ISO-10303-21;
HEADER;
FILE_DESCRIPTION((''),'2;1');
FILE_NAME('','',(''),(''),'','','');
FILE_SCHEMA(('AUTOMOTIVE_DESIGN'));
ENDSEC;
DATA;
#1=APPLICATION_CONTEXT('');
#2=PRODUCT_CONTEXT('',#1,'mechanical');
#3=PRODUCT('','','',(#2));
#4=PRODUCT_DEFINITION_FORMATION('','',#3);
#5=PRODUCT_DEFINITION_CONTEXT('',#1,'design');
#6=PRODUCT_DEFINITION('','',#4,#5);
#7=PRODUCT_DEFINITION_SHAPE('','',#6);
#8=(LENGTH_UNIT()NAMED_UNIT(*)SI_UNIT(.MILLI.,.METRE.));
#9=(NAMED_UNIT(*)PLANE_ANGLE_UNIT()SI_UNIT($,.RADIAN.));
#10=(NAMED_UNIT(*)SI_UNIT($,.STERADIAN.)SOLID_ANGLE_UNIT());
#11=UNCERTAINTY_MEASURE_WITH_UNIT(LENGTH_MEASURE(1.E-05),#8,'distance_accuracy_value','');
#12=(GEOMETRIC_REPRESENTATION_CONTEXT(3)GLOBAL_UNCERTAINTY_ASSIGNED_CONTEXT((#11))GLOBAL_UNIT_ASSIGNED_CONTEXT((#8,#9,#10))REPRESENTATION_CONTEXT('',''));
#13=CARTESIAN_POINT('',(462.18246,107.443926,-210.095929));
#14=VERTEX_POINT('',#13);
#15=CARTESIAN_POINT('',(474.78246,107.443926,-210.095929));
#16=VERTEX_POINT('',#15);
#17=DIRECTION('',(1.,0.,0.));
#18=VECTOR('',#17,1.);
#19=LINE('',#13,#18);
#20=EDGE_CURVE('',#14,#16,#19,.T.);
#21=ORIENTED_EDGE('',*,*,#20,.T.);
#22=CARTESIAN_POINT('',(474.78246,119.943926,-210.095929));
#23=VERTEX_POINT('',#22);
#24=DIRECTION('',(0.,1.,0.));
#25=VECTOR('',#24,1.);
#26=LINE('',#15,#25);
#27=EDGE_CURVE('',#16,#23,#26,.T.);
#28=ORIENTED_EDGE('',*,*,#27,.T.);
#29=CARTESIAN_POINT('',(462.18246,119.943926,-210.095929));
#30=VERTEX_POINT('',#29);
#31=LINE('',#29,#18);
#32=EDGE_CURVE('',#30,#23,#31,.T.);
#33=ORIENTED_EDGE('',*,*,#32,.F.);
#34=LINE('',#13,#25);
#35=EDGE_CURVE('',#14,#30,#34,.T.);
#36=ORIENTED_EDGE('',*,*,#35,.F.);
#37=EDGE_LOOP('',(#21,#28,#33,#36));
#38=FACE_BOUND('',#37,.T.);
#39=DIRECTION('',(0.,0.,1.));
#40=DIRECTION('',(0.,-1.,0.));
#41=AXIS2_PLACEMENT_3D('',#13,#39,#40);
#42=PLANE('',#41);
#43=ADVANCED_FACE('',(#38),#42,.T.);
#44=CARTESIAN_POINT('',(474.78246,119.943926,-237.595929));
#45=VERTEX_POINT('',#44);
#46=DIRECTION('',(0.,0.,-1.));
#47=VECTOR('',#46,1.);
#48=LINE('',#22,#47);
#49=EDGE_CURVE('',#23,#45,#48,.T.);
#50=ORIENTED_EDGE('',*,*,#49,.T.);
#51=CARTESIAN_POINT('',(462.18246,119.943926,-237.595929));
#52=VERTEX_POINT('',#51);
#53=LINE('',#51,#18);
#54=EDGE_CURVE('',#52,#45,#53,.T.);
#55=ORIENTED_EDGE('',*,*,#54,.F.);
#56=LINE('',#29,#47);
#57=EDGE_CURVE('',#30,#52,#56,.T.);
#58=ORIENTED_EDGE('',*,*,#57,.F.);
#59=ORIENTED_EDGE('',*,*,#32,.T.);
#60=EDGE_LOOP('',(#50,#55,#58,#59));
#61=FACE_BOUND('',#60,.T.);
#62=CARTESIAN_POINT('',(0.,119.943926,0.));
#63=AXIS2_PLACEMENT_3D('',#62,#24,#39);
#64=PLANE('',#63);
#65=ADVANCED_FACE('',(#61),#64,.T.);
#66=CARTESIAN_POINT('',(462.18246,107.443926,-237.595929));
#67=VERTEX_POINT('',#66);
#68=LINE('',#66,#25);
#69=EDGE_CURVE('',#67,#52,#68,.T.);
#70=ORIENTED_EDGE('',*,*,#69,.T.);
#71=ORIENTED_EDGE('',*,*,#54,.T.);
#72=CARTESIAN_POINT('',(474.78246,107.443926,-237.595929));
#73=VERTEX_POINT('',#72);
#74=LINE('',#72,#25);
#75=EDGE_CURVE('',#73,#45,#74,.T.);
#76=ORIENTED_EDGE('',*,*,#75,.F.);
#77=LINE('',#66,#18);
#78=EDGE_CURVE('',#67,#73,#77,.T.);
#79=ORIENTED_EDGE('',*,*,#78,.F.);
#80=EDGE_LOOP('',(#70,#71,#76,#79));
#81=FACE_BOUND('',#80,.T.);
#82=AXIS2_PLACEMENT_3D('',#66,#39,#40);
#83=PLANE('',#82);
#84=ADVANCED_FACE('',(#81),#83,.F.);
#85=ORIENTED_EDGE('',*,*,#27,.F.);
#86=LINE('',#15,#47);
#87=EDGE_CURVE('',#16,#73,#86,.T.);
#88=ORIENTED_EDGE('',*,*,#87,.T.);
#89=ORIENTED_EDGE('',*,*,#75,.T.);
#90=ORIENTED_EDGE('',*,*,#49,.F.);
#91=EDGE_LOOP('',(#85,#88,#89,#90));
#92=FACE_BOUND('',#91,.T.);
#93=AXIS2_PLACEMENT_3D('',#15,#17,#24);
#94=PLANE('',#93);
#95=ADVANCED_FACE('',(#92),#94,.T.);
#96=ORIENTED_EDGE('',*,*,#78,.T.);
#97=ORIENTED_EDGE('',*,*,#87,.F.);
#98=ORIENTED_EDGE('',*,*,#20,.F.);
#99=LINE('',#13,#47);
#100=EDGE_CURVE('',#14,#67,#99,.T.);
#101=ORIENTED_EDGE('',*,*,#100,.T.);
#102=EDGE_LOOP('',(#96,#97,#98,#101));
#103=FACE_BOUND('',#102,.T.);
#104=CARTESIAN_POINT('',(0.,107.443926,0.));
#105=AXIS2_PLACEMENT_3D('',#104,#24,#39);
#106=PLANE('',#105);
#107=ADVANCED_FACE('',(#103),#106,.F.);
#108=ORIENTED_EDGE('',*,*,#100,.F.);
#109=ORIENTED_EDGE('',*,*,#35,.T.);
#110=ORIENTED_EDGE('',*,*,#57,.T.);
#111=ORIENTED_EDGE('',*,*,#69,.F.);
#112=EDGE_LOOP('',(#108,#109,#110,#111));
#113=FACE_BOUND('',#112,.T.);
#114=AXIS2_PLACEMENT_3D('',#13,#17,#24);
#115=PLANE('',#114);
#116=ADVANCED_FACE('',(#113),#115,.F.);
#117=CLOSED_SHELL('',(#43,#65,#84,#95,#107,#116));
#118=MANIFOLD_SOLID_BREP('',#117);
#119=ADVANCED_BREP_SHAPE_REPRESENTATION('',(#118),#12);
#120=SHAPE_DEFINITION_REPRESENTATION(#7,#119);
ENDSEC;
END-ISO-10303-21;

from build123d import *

# Parameters (mm, degrees)
SKETCH1_W           = 12.6
SKETCH1_H           = 27.5
BOSS_EXTRUDE1_DEPTH = 12.5


with BuildPart() as part:
    # Sketch1 → Boss-Extrude1 (new body)
    with BuildSketch(Plane.XZ.offset(-119.943926475)):
        with Locations((468.482459861, -223.845929032)):
            Rectangle(SKETCH1_W, SKETCH1_H)
    extrude(amount=BOSS_EXTRUDE1_DEPTH)


solid = part.part
